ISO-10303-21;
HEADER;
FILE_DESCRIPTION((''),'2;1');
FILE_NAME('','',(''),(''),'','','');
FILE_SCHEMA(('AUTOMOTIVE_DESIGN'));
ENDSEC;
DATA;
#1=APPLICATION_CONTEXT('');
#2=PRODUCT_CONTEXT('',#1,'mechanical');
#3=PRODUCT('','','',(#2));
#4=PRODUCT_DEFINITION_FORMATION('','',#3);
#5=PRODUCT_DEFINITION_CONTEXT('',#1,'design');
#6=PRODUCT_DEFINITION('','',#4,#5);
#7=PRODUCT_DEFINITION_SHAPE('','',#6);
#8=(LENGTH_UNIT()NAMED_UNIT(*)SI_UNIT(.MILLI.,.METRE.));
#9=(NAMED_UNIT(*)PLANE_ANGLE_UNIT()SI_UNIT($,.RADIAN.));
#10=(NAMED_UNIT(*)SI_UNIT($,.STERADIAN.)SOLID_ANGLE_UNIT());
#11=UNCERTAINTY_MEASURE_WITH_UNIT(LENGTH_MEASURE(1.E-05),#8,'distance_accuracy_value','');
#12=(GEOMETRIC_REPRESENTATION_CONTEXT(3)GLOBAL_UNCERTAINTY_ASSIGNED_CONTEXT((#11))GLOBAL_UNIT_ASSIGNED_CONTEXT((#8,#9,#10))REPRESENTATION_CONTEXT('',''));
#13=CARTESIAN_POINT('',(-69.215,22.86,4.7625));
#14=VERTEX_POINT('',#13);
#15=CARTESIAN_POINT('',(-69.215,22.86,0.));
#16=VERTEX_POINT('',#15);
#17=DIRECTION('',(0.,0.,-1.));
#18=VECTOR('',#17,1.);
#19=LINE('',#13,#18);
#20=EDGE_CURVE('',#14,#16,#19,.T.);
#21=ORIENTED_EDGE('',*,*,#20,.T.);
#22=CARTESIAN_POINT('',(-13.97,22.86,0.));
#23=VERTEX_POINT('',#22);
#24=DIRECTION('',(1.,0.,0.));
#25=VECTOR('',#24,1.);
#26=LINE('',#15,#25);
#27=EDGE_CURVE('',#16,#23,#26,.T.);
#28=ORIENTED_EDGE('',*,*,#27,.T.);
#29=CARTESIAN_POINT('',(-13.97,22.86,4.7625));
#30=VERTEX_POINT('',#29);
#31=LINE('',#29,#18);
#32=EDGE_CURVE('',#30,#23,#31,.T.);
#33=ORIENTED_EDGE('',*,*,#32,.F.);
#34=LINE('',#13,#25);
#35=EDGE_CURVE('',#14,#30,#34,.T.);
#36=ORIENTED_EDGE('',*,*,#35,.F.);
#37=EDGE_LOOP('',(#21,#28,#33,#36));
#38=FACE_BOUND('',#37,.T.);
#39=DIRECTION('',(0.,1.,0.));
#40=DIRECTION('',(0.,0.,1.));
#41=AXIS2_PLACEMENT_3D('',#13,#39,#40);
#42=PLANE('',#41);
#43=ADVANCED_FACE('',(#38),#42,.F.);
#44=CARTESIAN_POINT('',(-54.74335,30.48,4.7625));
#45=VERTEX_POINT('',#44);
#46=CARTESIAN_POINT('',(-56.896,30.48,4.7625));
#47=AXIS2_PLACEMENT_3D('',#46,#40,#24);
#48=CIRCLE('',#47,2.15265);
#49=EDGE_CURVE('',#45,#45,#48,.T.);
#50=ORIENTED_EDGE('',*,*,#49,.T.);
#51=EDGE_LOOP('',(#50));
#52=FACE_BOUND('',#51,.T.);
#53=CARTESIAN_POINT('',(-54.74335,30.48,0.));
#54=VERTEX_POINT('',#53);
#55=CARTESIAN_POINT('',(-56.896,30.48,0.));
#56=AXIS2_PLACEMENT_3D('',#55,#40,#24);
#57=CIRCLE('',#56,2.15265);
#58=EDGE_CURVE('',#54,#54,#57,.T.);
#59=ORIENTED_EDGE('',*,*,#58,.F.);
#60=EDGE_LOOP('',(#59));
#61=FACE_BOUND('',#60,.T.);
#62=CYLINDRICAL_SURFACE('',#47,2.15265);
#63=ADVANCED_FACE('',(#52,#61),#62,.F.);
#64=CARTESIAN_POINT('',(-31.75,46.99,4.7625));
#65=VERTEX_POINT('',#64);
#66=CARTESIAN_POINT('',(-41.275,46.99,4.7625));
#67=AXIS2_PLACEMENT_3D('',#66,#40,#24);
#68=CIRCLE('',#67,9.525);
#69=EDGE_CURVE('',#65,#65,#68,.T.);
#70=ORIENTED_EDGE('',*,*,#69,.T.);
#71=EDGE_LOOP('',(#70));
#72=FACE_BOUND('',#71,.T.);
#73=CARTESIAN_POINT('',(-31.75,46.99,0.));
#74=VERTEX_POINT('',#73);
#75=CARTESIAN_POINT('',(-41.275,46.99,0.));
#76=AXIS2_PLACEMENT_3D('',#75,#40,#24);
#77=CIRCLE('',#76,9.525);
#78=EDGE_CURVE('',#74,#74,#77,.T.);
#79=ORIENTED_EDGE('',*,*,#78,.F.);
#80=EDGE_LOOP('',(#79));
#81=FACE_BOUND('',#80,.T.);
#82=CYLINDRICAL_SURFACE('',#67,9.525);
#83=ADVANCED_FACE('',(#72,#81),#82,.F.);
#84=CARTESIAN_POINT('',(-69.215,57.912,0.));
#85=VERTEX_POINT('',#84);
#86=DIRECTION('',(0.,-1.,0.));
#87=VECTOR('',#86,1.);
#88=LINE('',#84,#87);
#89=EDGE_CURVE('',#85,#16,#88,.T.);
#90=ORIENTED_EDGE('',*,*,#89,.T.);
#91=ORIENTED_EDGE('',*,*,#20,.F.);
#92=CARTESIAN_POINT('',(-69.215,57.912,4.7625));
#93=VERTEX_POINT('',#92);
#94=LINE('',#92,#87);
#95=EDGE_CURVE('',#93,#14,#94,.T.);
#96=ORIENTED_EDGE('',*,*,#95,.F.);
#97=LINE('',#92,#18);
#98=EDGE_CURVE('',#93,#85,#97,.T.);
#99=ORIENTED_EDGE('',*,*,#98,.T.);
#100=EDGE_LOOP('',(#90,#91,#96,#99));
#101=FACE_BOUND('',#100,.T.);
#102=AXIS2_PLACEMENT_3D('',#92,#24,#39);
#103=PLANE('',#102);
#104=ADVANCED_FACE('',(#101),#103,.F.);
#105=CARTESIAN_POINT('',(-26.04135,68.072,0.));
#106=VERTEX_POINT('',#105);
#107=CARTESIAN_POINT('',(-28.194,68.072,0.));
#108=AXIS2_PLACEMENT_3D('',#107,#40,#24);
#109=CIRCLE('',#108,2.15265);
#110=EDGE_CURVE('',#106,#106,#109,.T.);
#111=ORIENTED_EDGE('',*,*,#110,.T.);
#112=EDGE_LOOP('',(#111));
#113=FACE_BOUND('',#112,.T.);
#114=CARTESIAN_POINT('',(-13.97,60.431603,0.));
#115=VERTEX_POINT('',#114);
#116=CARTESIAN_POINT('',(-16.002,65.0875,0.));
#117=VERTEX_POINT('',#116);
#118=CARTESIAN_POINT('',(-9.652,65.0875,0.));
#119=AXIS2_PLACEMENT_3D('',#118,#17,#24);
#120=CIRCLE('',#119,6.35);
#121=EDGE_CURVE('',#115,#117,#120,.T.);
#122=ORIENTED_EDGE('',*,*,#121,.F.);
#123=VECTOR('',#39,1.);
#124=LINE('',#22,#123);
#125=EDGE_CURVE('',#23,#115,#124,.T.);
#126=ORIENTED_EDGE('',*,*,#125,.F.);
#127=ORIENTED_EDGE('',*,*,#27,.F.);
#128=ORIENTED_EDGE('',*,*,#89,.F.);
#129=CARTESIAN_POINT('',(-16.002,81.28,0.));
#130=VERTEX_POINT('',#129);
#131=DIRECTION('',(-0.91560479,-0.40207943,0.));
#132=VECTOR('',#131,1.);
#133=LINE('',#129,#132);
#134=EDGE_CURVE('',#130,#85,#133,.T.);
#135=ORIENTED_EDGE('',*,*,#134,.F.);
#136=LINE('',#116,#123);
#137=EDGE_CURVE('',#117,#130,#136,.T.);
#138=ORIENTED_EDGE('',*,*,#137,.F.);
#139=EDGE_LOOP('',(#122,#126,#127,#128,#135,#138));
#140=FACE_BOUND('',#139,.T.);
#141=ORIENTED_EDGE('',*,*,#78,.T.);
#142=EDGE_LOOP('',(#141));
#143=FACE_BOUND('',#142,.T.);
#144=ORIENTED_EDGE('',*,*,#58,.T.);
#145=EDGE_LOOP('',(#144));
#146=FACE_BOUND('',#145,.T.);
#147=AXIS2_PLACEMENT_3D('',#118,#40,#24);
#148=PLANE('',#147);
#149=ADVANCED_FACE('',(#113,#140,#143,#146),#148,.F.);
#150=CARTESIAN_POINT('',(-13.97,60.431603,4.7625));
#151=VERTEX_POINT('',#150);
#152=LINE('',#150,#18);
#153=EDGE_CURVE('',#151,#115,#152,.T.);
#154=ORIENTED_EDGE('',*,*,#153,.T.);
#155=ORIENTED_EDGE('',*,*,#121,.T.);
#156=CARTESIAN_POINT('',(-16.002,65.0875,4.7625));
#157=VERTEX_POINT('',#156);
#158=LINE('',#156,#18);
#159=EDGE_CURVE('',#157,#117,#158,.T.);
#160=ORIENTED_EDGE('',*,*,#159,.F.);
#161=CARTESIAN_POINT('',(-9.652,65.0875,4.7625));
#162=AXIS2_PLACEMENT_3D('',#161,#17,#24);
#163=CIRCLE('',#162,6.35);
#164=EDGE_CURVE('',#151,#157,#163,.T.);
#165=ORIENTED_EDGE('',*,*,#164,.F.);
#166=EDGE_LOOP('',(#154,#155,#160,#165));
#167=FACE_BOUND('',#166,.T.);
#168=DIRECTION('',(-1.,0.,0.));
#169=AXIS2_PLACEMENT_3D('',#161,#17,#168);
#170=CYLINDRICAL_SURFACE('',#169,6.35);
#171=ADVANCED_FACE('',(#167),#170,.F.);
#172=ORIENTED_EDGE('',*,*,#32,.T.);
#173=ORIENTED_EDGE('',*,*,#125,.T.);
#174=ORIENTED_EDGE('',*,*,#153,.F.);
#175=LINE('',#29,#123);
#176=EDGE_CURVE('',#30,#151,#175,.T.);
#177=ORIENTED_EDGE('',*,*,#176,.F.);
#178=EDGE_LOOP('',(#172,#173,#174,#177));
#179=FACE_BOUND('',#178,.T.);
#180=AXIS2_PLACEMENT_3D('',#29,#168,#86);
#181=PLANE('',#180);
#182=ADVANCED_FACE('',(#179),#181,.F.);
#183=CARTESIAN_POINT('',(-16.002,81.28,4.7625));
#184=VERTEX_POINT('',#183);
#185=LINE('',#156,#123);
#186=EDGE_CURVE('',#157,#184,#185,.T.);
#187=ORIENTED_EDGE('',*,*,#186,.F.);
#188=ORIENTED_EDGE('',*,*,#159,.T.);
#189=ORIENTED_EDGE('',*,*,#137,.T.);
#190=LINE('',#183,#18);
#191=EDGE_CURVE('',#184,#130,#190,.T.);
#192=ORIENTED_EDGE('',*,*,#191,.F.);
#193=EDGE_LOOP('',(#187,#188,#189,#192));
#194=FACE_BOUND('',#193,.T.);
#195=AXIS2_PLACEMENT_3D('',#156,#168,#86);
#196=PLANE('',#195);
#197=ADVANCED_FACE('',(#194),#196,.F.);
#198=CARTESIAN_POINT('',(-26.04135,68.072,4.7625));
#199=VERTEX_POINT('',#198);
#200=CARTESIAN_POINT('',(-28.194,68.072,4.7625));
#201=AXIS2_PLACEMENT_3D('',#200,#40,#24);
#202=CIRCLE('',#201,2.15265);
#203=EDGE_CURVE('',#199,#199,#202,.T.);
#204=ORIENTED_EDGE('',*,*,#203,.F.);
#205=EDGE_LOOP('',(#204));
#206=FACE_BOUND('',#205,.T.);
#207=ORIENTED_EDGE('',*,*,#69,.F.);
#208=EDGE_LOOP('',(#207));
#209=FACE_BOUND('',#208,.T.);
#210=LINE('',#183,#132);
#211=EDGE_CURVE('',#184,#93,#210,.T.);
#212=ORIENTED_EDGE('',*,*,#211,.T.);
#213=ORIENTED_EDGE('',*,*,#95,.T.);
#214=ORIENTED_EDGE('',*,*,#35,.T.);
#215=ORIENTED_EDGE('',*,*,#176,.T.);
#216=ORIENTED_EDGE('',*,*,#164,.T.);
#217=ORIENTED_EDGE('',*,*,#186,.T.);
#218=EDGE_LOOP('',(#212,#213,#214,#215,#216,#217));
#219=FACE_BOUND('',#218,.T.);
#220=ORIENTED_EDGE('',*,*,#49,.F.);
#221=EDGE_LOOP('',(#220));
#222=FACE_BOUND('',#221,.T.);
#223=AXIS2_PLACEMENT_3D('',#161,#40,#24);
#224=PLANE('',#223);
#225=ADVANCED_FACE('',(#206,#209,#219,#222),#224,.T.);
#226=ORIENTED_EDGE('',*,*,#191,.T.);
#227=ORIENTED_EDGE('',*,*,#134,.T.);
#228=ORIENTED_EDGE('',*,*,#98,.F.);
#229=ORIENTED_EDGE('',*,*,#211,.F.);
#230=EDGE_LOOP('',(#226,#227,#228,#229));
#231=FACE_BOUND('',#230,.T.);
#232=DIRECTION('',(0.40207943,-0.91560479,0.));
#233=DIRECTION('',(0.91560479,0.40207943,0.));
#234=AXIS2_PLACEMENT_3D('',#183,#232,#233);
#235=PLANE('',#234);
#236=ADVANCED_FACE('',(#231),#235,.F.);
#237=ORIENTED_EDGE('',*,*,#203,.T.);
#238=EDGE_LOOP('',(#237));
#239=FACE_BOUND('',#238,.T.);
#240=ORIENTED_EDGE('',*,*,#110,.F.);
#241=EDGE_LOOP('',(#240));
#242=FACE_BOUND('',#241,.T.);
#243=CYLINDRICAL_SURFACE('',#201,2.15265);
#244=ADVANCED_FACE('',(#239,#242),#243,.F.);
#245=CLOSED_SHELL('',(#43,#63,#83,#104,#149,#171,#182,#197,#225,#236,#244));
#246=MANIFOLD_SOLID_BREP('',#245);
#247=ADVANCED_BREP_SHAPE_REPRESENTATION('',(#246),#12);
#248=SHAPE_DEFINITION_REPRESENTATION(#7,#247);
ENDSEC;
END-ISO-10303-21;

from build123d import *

# Parameters (mm, degrees)
BOSS_EXTRUDE1_DEPTH         = 4.7625
F_3_4_0_75_DIAMETER_HOLE1_D = 19.05
F_6_CLEARANCE_HOLE1_D       = 4.3053


with BuildPart() as part:
    # Sketch1 → Boss-Extrude1 (new body)
    with BuildSketch(Plane.XY):
        with BuildLine():
            Line((-13.97, 22.86), (-13.97, 60.431603094))
            ThreePointArc((-13.97, 60.431603094), (-15.471871133, 62.5475), (-16.002, 65.0875))
            Line((-16.002, 65.0875), (-16.002, 81.28))
            Line((-16.002, 81.28), (-69.215, 57.912))
            Line((-69.215, 57.912), (-69.215, 22.86))
            Line((-69.215, 22.86), (-13.97, 22.86))
        make_face()
    extrude(amount=BOSS_EXTRUDE1_DEPTH)

    # 3/4 (0.75) Diameter Hole1 (through all)
    with Locations(Plane.XY.offset(4.7625)):
        with Locations((-41.275, 46.99)):
            Hole(F_3_4_0_75_DIAMETER_HOLE1_D / 2)

    # #6 Clearance Hole1 (through all)
    with Locations(Plane.XY.offset(4.7625)):
        with Locations((-56.896, 30.48), (-28.194, 68.072)):
            Hole(F_6_CLEARANCE_HOLE1_D / 2)


solid = part.part
